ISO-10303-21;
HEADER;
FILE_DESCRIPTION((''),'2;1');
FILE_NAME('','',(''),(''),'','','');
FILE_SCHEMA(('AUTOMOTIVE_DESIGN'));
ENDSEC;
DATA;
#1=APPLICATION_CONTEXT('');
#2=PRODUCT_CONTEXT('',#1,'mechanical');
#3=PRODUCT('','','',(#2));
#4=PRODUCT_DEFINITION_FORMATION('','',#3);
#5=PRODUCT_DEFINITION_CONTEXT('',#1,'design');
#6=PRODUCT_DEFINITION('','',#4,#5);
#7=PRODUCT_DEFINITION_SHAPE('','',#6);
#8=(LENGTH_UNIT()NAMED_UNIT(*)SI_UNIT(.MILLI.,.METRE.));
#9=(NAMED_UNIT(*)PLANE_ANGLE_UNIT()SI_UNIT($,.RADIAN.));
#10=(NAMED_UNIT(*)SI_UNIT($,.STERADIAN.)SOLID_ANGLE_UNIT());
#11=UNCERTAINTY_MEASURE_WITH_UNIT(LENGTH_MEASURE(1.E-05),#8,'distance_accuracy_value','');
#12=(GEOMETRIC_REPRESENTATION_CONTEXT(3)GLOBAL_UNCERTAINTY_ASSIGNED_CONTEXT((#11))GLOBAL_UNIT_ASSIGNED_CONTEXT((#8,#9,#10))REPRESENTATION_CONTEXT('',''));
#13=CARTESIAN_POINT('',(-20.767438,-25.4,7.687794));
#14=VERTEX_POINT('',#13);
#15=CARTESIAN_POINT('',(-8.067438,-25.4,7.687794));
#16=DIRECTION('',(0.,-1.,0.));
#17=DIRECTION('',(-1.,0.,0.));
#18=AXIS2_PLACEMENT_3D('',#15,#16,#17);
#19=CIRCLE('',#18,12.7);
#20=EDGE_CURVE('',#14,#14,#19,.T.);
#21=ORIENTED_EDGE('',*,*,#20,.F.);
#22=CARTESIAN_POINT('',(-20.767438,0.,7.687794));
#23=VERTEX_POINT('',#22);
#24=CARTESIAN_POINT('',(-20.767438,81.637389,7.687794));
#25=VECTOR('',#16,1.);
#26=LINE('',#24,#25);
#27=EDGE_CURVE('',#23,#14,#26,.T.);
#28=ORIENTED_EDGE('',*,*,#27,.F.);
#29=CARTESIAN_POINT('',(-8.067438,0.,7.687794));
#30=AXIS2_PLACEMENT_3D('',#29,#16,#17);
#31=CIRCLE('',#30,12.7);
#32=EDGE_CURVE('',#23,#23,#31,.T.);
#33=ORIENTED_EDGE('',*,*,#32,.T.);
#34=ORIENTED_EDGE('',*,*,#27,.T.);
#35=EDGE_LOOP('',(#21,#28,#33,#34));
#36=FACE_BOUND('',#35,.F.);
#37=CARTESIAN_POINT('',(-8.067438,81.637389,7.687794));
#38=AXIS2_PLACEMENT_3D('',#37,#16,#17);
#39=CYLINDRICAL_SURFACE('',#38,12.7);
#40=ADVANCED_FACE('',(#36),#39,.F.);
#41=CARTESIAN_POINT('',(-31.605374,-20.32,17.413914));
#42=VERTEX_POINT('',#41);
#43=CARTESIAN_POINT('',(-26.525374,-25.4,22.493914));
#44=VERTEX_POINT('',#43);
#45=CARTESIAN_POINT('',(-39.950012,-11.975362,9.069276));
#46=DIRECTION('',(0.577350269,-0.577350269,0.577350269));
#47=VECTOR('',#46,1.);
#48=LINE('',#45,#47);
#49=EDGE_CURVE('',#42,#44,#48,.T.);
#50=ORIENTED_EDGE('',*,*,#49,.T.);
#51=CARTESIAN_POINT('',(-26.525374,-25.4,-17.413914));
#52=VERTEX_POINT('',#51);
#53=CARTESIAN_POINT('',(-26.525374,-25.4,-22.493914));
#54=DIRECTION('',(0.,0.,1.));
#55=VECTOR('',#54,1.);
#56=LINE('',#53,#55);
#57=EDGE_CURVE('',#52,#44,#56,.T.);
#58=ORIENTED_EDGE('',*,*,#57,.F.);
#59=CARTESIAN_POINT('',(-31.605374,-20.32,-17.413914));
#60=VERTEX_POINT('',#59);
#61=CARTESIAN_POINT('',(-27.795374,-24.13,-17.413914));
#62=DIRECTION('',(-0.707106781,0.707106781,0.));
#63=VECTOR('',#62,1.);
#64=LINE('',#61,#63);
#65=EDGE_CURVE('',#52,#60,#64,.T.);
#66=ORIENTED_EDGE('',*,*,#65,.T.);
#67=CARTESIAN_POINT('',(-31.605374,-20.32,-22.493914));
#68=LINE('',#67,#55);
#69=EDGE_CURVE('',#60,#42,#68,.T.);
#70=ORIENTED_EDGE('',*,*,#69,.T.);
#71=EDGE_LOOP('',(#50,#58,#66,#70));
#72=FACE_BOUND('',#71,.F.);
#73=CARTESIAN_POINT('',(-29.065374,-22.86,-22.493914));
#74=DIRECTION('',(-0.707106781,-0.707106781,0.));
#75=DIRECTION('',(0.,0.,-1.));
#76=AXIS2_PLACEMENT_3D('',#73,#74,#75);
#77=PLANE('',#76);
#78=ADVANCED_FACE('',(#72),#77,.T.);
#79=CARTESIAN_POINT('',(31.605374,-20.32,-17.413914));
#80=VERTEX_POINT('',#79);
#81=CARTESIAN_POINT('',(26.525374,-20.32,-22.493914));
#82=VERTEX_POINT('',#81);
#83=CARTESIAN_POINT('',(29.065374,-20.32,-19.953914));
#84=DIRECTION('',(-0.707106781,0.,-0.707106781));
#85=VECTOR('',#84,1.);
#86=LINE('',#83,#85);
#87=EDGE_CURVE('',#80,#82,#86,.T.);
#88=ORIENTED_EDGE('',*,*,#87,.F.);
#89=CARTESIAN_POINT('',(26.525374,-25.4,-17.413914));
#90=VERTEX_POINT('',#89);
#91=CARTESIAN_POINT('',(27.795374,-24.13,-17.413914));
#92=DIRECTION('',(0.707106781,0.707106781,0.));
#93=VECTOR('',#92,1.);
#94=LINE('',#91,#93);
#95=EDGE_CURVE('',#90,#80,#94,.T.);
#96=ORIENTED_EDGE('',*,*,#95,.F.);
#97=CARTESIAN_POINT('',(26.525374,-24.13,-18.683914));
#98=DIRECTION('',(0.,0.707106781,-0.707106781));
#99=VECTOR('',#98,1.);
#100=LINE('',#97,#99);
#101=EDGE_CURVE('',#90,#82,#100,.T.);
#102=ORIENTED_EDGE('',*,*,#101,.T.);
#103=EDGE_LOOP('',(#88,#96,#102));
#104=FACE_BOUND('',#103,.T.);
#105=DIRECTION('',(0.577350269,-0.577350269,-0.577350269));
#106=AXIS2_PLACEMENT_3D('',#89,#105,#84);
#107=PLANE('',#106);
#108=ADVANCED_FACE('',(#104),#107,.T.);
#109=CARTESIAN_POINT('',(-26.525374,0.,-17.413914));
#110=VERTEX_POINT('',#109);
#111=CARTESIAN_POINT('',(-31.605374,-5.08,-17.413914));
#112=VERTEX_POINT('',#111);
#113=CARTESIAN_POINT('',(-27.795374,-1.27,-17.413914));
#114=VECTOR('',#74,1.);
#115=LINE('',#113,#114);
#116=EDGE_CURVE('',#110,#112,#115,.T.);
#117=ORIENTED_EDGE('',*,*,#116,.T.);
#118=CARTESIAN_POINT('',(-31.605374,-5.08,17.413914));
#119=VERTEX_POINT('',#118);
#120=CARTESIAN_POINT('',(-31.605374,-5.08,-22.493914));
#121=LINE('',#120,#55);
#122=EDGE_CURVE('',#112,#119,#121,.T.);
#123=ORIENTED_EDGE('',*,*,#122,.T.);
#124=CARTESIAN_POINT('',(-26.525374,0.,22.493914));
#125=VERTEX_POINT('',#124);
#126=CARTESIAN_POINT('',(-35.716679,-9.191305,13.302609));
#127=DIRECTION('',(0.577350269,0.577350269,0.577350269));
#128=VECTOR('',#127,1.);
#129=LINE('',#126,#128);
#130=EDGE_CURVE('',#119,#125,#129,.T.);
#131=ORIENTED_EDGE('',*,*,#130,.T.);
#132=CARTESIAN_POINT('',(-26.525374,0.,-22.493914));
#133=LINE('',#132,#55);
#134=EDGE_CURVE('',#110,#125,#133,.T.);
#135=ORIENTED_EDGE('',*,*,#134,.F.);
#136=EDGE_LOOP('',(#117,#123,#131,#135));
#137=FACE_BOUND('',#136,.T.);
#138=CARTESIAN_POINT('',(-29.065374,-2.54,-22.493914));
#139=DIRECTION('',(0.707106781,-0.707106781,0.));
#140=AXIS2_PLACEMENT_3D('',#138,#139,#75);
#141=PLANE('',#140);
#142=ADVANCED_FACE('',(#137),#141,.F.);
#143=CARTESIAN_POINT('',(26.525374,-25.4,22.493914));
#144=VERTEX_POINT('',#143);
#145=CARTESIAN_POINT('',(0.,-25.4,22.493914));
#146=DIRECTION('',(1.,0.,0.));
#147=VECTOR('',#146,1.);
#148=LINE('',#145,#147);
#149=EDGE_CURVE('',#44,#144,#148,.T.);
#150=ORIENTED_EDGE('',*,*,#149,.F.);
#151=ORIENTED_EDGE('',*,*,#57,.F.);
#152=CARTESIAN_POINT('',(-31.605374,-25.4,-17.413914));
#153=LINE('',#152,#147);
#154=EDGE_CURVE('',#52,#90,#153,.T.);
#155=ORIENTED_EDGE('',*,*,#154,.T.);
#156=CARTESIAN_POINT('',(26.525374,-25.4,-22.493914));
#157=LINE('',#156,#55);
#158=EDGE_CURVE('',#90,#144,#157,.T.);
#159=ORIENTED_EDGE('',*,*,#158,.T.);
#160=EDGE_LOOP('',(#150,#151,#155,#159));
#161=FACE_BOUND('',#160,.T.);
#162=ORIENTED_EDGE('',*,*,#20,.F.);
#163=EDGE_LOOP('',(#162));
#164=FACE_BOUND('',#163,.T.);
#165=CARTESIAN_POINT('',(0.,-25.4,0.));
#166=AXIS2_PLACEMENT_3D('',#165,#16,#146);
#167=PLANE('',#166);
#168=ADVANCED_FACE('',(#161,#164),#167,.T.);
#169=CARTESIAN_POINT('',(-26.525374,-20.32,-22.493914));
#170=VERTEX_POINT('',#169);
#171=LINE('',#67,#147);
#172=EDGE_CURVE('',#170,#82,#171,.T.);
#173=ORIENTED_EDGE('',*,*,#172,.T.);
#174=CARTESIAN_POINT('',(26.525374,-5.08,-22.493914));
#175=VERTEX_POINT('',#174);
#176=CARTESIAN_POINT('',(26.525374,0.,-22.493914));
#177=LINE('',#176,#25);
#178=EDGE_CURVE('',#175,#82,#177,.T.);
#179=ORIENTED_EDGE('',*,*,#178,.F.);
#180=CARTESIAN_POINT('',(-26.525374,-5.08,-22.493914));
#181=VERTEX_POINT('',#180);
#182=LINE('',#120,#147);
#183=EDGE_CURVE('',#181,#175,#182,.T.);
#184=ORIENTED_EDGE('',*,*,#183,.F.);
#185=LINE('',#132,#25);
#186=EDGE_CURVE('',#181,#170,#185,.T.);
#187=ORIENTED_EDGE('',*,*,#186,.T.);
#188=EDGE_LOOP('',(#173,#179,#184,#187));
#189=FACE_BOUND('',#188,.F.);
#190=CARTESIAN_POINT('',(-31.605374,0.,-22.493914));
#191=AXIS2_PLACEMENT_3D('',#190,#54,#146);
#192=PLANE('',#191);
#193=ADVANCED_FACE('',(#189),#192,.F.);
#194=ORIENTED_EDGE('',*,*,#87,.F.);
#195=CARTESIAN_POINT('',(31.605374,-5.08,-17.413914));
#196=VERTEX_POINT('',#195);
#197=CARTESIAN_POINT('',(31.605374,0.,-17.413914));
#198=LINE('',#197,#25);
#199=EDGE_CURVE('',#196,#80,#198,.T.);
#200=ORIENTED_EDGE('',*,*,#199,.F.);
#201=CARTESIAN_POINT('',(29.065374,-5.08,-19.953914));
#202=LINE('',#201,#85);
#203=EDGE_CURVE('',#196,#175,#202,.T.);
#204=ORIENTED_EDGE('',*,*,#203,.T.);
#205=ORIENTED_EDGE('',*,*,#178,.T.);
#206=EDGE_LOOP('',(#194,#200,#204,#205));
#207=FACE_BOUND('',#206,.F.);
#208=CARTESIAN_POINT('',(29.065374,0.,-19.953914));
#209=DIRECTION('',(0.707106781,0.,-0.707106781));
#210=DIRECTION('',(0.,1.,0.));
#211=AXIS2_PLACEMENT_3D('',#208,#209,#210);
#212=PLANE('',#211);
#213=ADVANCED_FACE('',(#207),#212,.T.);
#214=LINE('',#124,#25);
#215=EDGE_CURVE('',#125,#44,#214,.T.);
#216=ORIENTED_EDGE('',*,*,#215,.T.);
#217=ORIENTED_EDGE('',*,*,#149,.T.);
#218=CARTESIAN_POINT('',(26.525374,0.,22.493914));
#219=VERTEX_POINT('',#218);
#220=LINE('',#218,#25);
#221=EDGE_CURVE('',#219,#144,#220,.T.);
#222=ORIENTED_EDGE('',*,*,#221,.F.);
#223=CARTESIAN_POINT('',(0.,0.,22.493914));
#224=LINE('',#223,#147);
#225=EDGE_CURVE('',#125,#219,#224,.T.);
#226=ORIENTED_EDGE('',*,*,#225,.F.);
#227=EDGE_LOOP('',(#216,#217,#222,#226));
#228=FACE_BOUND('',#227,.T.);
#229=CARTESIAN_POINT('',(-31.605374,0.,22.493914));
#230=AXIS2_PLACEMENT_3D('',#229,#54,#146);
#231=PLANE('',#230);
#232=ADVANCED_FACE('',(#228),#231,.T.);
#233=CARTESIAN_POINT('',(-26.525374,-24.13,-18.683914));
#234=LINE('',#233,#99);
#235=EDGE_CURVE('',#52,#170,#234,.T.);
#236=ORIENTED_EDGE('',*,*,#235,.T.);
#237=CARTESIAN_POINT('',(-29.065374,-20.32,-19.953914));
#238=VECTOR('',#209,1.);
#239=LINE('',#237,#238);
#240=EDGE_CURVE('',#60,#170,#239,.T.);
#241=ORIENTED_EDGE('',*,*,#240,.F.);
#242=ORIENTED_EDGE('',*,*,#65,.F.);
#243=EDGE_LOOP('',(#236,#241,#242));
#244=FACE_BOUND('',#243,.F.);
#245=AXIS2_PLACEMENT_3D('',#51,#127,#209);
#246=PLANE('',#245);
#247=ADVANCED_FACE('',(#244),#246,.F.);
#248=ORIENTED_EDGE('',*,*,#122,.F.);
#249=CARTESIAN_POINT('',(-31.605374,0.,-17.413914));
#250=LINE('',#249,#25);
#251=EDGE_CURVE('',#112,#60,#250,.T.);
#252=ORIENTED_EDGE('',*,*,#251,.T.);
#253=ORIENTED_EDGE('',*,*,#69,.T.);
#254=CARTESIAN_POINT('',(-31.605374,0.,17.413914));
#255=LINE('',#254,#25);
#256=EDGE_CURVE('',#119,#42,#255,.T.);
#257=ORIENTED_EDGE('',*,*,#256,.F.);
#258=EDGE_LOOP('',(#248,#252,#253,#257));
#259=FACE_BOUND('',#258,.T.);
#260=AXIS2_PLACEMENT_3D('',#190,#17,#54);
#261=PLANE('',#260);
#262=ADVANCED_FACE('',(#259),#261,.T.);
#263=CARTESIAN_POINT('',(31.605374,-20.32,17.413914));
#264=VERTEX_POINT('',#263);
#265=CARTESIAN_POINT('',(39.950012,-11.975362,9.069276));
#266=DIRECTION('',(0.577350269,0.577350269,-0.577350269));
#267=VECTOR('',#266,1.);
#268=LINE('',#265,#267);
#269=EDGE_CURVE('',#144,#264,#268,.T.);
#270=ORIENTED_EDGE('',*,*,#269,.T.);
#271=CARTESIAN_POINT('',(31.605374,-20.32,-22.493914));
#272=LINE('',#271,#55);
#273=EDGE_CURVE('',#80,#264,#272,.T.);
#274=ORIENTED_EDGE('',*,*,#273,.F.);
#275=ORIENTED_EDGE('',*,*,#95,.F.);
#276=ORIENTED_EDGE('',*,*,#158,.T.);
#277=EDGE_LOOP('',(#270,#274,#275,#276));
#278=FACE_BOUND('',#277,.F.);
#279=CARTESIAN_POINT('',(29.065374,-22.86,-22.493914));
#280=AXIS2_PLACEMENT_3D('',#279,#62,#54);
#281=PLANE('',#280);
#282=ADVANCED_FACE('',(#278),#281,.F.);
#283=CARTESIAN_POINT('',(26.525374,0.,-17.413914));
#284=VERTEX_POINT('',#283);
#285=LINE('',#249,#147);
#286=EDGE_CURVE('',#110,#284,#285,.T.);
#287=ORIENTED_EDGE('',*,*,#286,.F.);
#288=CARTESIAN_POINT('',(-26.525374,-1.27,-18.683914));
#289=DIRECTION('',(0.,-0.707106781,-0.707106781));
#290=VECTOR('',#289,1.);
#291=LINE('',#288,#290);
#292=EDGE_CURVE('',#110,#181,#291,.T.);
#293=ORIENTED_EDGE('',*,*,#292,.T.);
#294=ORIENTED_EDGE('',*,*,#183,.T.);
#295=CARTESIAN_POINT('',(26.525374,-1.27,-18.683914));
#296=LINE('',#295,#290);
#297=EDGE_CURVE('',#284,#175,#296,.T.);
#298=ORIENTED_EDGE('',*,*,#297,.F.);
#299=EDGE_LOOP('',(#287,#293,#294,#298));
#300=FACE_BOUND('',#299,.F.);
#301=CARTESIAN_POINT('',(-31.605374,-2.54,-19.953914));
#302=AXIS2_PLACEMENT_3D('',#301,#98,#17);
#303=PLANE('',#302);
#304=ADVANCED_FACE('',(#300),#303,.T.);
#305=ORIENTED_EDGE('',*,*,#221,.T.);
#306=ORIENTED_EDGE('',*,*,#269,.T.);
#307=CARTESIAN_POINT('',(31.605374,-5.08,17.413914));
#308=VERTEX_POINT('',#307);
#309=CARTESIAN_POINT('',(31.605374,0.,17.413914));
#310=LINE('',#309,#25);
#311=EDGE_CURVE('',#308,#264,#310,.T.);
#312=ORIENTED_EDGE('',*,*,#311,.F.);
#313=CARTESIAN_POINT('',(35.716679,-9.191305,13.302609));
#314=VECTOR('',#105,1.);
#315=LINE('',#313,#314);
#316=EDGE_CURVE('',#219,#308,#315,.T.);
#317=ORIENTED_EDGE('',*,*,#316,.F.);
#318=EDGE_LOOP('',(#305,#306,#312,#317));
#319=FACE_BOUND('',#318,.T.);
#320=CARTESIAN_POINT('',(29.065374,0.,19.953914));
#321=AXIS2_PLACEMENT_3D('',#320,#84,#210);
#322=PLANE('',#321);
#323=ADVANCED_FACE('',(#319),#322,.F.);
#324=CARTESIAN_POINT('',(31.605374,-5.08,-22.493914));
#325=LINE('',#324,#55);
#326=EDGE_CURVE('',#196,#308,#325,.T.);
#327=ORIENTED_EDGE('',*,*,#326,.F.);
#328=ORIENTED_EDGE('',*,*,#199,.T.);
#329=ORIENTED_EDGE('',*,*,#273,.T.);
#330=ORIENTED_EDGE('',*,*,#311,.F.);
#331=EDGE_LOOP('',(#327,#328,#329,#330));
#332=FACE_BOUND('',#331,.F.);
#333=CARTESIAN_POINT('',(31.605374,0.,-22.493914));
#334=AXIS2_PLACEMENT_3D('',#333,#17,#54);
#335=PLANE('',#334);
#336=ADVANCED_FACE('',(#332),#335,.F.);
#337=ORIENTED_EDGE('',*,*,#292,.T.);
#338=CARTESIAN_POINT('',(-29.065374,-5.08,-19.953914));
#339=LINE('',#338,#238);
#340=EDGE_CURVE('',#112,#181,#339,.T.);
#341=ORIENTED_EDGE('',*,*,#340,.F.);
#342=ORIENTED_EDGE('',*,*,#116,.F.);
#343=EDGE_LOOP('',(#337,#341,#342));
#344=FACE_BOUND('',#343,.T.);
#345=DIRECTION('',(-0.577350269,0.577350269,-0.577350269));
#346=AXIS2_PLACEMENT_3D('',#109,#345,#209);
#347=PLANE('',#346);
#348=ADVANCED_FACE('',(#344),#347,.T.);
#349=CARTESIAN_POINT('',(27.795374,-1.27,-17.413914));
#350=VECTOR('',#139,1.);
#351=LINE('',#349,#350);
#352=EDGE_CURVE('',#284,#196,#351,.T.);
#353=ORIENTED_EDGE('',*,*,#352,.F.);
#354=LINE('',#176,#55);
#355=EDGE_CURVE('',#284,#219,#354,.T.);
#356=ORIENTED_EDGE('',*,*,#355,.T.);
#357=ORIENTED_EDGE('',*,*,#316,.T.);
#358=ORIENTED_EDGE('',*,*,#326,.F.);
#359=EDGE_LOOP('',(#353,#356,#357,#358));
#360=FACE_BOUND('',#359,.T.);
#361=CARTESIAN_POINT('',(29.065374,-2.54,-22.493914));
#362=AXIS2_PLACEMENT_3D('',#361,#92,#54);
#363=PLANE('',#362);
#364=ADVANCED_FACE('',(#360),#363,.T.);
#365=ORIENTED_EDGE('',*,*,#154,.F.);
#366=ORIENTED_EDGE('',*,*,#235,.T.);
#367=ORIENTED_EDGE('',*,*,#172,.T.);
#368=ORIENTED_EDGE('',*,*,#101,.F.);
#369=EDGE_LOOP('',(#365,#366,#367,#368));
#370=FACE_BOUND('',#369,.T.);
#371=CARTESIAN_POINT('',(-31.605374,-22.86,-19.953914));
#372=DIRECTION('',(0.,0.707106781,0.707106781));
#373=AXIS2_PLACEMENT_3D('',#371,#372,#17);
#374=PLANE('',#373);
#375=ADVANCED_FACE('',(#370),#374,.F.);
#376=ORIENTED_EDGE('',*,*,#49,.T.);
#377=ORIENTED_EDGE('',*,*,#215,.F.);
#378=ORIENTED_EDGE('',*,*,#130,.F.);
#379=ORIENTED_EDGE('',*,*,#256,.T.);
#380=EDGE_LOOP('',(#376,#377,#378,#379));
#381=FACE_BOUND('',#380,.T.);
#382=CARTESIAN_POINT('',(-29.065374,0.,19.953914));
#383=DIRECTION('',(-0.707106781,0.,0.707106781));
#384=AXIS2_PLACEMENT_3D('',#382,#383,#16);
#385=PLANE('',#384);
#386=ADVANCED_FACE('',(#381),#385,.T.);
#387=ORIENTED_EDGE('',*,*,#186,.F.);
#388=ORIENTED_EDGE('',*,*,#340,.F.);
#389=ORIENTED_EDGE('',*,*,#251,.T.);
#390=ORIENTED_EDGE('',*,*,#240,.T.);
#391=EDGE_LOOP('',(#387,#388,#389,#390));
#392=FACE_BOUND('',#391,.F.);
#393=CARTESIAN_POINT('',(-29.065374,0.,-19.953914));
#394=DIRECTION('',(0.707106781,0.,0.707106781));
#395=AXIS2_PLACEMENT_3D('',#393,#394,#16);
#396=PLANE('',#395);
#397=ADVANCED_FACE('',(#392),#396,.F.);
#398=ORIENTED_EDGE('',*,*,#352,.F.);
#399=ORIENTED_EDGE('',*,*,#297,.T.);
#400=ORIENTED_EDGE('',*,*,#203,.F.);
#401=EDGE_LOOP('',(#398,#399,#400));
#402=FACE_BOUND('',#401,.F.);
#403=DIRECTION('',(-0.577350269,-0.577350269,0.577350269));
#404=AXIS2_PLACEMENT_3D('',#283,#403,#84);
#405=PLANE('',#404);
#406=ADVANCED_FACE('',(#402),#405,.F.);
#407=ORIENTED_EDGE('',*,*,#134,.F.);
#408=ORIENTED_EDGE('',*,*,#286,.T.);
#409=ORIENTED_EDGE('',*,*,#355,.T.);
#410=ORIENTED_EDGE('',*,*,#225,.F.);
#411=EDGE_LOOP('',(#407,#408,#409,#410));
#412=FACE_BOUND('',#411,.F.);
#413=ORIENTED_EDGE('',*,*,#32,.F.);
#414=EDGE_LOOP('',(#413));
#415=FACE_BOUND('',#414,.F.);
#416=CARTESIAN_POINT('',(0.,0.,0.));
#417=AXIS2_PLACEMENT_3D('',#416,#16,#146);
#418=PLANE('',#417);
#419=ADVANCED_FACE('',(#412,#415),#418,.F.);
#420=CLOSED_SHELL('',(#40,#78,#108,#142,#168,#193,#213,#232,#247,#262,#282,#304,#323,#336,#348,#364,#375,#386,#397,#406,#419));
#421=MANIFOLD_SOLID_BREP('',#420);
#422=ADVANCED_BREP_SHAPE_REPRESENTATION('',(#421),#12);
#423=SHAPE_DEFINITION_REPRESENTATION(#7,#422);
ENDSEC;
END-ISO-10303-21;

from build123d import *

# Parameters (mm, degrees)
F0_W     = 63.210748136
F0_H     = 44.9878275394
F1_DEPTH = 25.4
F3_D     = 25.4
F4_SIZE  = 5.08


with BuildPart() as f1:
    # F0 (on Front) → F1 (new body)
    with BuildSketch(Plane.XZ):
        Rectangle(F0_W, F0_H)
    extrude(amount=F1_DEPTH)

    # F3 (through all)
    with Locations(Plane(origin=(0, 0, 0), x_dir=(1, 0, 0), z_dir=(0, 1, 0))):
        with Locations((-8.0674383789, -7.687793579)):
            Hole(F3_D / 2)

    # F4
    f4_edges = [f1.edges().sort_by_distance(p)[0] for p in [
        (31.605374, -12.7, -22.493914),
        (31.605374, -12.7, 22.493914),
        (31.605374, 0, 0),
        (31.605374, -25.4, 0),
        (-31.605374, -12.7, 22.493914),
        (-31.605374, -12.7, -22.493914),
        (-31.605374, 0, 0),
        (-31.605374, -25.4, 0),
        (0, 0, -22.493914),
        (0, -25.4, -22.493914),
    ]]
    chamfer(f4_edges, length=F4_SIZE)


solid = f1.part
